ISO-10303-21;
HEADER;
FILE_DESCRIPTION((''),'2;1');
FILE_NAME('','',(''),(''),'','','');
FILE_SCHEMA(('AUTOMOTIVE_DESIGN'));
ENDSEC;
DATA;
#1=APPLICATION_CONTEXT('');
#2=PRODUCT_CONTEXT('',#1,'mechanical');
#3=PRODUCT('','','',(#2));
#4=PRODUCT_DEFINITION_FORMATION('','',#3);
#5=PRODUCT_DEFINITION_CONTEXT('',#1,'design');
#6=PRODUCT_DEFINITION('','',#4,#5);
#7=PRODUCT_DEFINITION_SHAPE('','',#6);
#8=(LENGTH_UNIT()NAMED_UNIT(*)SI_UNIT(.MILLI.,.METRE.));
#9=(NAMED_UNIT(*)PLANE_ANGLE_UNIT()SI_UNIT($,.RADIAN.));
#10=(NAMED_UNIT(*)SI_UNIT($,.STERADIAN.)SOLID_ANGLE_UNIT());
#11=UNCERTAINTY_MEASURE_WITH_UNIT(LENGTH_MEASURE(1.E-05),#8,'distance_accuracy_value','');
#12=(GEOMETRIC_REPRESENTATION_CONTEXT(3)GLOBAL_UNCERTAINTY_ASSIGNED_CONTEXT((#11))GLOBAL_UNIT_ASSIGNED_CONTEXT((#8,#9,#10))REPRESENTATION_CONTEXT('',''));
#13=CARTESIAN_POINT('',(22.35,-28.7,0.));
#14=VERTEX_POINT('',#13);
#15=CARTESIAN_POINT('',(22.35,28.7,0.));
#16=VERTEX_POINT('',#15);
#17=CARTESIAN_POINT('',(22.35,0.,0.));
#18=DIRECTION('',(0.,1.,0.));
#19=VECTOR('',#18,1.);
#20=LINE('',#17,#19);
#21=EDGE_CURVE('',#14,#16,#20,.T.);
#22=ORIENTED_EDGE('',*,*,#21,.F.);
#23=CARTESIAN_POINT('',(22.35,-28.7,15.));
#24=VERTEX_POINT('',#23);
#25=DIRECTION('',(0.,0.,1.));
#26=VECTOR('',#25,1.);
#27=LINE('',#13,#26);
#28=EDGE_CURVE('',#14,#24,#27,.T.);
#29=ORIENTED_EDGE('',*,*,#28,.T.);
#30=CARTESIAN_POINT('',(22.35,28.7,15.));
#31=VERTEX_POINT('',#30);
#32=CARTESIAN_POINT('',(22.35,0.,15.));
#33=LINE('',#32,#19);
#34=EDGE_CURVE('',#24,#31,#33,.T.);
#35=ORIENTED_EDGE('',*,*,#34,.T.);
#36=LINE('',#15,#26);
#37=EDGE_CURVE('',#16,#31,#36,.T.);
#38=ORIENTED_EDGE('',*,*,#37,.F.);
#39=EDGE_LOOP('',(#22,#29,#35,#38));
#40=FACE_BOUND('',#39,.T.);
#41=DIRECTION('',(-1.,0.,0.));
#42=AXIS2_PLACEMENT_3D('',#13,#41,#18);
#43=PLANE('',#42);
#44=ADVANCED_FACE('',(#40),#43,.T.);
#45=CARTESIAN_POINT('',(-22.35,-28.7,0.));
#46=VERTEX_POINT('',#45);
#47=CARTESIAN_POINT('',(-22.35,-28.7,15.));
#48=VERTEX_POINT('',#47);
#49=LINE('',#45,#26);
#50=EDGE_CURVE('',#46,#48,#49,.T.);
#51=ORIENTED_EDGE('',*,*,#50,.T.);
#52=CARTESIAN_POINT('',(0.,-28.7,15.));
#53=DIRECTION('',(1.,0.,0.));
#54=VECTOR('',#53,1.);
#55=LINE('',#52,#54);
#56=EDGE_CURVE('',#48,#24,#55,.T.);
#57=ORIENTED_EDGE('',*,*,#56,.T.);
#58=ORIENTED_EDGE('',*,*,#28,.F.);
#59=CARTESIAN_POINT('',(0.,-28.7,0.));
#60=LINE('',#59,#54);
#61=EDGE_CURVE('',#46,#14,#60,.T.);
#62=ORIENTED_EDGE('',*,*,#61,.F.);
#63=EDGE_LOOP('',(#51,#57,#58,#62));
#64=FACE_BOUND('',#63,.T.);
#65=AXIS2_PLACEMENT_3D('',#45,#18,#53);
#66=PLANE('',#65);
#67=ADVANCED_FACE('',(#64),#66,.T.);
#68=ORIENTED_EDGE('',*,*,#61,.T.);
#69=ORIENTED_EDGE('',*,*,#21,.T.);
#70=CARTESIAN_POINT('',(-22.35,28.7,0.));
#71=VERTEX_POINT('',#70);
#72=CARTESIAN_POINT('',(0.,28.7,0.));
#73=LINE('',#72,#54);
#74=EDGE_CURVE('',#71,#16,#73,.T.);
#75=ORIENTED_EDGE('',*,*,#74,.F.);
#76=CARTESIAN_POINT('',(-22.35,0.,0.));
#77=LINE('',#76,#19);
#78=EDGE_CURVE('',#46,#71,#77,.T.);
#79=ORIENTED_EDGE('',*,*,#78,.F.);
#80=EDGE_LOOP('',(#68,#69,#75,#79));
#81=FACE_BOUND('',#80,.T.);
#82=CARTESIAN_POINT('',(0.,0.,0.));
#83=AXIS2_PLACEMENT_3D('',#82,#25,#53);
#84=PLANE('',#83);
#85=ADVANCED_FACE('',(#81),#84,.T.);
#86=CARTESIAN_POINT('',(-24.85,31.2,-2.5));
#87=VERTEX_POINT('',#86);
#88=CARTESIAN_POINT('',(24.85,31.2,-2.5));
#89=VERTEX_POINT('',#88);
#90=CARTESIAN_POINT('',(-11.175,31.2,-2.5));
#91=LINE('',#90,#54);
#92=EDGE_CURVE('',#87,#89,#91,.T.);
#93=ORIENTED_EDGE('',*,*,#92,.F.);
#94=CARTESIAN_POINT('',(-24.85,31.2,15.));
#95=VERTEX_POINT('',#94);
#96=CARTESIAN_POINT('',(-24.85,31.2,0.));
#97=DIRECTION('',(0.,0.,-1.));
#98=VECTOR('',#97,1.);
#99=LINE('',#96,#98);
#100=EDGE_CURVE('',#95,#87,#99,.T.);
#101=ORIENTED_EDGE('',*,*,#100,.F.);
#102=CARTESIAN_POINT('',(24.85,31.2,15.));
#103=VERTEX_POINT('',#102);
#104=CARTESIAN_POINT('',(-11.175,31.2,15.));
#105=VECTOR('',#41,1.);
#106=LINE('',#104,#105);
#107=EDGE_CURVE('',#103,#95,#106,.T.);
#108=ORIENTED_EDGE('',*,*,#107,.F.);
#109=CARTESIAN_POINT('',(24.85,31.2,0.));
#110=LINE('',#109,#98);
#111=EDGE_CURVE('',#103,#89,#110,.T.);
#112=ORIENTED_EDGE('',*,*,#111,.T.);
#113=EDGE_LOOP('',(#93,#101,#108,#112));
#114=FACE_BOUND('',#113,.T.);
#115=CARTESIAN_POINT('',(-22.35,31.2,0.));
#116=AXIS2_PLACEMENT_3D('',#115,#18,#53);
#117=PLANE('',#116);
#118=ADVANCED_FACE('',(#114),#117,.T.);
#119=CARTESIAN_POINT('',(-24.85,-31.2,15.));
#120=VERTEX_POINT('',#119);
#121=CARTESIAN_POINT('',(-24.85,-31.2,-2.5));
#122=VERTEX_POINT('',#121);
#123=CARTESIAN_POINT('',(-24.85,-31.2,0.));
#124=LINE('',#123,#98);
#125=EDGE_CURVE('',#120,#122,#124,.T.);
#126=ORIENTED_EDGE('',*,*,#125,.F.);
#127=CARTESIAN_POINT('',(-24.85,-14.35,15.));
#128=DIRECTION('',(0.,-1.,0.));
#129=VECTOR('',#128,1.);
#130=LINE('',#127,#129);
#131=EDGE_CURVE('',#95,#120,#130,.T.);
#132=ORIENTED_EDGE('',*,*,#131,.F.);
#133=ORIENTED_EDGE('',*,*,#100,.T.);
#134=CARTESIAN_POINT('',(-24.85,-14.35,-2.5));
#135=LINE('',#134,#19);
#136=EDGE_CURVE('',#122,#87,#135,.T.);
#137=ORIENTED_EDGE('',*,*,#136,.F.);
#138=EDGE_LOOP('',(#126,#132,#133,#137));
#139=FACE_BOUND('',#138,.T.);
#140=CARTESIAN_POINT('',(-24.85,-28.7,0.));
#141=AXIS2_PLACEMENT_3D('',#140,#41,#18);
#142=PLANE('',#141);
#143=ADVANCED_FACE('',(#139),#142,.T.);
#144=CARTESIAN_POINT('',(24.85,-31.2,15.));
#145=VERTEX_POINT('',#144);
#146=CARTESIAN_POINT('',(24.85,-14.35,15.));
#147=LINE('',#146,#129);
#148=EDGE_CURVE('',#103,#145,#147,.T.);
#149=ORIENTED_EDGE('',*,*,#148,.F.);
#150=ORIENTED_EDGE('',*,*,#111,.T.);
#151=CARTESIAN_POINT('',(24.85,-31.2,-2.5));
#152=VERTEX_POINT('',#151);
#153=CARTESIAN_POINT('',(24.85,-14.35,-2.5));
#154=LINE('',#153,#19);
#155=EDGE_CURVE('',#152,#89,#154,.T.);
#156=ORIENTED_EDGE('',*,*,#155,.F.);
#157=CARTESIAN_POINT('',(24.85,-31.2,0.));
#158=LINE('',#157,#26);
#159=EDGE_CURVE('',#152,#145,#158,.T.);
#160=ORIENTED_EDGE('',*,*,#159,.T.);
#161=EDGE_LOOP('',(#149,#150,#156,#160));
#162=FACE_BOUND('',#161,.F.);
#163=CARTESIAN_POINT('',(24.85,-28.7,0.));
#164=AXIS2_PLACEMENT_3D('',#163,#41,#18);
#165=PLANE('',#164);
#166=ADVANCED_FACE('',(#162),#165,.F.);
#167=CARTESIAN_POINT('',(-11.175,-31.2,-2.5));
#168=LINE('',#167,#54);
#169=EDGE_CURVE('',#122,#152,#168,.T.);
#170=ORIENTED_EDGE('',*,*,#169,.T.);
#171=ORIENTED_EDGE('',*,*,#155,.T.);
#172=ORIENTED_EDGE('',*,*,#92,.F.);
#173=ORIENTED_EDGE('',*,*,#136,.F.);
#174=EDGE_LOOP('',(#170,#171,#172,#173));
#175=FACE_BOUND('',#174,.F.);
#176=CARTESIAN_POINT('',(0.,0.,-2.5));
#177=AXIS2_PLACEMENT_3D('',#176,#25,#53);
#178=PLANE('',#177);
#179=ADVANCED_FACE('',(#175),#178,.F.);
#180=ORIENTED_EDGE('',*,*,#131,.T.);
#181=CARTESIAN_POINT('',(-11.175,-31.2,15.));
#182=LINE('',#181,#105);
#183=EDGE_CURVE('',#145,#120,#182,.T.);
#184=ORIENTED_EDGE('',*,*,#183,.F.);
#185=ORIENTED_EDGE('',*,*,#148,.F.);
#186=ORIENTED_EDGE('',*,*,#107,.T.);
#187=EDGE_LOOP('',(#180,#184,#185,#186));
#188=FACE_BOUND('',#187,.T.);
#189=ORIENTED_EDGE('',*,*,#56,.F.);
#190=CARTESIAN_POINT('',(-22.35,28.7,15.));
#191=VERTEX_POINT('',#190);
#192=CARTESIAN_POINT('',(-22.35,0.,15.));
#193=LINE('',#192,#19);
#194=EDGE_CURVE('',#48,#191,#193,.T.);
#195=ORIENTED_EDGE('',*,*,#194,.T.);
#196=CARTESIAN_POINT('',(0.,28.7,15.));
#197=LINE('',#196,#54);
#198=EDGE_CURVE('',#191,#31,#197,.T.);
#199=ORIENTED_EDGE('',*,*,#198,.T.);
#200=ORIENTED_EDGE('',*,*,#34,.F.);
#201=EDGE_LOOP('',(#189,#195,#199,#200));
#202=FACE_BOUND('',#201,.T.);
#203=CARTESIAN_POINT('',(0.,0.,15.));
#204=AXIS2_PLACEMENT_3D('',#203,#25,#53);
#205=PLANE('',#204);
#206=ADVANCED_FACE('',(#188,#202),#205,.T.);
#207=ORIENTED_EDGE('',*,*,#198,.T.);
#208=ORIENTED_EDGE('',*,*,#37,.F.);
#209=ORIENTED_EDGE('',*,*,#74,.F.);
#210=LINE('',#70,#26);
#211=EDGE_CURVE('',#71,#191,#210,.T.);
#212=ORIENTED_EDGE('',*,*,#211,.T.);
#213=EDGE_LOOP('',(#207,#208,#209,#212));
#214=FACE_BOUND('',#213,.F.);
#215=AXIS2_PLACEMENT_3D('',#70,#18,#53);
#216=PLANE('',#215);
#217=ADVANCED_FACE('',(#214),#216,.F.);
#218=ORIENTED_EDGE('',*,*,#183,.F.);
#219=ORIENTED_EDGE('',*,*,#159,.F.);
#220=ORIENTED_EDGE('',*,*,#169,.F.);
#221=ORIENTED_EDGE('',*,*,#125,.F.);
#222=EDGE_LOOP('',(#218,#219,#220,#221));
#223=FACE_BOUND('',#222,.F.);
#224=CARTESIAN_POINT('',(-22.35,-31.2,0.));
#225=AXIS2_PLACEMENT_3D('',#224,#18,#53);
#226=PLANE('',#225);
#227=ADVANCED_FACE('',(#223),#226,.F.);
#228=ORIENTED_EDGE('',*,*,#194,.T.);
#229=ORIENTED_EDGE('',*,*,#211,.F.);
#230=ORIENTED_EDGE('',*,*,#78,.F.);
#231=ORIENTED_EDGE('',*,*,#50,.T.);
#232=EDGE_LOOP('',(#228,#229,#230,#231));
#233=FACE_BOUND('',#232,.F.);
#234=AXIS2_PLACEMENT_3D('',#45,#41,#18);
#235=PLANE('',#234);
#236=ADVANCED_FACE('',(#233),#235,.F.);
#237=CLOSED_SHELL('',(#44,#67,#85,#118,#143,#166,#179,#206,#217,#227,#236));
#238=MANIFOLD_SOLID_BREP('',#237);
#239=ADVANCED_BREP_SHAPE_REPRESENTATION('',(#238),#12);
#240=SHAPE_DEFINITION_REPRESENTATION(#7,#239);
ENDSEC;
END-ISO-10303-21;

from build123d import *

# Parameters (mm, degrees)
F0_W     = 44.7
F0_H     = 57.4
F1_DEPTH = 15
F2_T     = 2.5


with BuildPart() as f1:
    # F0 (on Top) → F1 (new body)
    with BuildSketch(Plane.XY):
        Rectangle(F0_W, F0_H)
    extrude(amount=F1_DEPTH)

    # F2
    f2_openings = [f1.faces().sort_by_distance(p)[0] for p in [
        (0, 0, 15),
    ]]
    offset(amount=F2_T, openings=f2_openings, kind=Kind.INTERSECTION)


solid = f1.part
